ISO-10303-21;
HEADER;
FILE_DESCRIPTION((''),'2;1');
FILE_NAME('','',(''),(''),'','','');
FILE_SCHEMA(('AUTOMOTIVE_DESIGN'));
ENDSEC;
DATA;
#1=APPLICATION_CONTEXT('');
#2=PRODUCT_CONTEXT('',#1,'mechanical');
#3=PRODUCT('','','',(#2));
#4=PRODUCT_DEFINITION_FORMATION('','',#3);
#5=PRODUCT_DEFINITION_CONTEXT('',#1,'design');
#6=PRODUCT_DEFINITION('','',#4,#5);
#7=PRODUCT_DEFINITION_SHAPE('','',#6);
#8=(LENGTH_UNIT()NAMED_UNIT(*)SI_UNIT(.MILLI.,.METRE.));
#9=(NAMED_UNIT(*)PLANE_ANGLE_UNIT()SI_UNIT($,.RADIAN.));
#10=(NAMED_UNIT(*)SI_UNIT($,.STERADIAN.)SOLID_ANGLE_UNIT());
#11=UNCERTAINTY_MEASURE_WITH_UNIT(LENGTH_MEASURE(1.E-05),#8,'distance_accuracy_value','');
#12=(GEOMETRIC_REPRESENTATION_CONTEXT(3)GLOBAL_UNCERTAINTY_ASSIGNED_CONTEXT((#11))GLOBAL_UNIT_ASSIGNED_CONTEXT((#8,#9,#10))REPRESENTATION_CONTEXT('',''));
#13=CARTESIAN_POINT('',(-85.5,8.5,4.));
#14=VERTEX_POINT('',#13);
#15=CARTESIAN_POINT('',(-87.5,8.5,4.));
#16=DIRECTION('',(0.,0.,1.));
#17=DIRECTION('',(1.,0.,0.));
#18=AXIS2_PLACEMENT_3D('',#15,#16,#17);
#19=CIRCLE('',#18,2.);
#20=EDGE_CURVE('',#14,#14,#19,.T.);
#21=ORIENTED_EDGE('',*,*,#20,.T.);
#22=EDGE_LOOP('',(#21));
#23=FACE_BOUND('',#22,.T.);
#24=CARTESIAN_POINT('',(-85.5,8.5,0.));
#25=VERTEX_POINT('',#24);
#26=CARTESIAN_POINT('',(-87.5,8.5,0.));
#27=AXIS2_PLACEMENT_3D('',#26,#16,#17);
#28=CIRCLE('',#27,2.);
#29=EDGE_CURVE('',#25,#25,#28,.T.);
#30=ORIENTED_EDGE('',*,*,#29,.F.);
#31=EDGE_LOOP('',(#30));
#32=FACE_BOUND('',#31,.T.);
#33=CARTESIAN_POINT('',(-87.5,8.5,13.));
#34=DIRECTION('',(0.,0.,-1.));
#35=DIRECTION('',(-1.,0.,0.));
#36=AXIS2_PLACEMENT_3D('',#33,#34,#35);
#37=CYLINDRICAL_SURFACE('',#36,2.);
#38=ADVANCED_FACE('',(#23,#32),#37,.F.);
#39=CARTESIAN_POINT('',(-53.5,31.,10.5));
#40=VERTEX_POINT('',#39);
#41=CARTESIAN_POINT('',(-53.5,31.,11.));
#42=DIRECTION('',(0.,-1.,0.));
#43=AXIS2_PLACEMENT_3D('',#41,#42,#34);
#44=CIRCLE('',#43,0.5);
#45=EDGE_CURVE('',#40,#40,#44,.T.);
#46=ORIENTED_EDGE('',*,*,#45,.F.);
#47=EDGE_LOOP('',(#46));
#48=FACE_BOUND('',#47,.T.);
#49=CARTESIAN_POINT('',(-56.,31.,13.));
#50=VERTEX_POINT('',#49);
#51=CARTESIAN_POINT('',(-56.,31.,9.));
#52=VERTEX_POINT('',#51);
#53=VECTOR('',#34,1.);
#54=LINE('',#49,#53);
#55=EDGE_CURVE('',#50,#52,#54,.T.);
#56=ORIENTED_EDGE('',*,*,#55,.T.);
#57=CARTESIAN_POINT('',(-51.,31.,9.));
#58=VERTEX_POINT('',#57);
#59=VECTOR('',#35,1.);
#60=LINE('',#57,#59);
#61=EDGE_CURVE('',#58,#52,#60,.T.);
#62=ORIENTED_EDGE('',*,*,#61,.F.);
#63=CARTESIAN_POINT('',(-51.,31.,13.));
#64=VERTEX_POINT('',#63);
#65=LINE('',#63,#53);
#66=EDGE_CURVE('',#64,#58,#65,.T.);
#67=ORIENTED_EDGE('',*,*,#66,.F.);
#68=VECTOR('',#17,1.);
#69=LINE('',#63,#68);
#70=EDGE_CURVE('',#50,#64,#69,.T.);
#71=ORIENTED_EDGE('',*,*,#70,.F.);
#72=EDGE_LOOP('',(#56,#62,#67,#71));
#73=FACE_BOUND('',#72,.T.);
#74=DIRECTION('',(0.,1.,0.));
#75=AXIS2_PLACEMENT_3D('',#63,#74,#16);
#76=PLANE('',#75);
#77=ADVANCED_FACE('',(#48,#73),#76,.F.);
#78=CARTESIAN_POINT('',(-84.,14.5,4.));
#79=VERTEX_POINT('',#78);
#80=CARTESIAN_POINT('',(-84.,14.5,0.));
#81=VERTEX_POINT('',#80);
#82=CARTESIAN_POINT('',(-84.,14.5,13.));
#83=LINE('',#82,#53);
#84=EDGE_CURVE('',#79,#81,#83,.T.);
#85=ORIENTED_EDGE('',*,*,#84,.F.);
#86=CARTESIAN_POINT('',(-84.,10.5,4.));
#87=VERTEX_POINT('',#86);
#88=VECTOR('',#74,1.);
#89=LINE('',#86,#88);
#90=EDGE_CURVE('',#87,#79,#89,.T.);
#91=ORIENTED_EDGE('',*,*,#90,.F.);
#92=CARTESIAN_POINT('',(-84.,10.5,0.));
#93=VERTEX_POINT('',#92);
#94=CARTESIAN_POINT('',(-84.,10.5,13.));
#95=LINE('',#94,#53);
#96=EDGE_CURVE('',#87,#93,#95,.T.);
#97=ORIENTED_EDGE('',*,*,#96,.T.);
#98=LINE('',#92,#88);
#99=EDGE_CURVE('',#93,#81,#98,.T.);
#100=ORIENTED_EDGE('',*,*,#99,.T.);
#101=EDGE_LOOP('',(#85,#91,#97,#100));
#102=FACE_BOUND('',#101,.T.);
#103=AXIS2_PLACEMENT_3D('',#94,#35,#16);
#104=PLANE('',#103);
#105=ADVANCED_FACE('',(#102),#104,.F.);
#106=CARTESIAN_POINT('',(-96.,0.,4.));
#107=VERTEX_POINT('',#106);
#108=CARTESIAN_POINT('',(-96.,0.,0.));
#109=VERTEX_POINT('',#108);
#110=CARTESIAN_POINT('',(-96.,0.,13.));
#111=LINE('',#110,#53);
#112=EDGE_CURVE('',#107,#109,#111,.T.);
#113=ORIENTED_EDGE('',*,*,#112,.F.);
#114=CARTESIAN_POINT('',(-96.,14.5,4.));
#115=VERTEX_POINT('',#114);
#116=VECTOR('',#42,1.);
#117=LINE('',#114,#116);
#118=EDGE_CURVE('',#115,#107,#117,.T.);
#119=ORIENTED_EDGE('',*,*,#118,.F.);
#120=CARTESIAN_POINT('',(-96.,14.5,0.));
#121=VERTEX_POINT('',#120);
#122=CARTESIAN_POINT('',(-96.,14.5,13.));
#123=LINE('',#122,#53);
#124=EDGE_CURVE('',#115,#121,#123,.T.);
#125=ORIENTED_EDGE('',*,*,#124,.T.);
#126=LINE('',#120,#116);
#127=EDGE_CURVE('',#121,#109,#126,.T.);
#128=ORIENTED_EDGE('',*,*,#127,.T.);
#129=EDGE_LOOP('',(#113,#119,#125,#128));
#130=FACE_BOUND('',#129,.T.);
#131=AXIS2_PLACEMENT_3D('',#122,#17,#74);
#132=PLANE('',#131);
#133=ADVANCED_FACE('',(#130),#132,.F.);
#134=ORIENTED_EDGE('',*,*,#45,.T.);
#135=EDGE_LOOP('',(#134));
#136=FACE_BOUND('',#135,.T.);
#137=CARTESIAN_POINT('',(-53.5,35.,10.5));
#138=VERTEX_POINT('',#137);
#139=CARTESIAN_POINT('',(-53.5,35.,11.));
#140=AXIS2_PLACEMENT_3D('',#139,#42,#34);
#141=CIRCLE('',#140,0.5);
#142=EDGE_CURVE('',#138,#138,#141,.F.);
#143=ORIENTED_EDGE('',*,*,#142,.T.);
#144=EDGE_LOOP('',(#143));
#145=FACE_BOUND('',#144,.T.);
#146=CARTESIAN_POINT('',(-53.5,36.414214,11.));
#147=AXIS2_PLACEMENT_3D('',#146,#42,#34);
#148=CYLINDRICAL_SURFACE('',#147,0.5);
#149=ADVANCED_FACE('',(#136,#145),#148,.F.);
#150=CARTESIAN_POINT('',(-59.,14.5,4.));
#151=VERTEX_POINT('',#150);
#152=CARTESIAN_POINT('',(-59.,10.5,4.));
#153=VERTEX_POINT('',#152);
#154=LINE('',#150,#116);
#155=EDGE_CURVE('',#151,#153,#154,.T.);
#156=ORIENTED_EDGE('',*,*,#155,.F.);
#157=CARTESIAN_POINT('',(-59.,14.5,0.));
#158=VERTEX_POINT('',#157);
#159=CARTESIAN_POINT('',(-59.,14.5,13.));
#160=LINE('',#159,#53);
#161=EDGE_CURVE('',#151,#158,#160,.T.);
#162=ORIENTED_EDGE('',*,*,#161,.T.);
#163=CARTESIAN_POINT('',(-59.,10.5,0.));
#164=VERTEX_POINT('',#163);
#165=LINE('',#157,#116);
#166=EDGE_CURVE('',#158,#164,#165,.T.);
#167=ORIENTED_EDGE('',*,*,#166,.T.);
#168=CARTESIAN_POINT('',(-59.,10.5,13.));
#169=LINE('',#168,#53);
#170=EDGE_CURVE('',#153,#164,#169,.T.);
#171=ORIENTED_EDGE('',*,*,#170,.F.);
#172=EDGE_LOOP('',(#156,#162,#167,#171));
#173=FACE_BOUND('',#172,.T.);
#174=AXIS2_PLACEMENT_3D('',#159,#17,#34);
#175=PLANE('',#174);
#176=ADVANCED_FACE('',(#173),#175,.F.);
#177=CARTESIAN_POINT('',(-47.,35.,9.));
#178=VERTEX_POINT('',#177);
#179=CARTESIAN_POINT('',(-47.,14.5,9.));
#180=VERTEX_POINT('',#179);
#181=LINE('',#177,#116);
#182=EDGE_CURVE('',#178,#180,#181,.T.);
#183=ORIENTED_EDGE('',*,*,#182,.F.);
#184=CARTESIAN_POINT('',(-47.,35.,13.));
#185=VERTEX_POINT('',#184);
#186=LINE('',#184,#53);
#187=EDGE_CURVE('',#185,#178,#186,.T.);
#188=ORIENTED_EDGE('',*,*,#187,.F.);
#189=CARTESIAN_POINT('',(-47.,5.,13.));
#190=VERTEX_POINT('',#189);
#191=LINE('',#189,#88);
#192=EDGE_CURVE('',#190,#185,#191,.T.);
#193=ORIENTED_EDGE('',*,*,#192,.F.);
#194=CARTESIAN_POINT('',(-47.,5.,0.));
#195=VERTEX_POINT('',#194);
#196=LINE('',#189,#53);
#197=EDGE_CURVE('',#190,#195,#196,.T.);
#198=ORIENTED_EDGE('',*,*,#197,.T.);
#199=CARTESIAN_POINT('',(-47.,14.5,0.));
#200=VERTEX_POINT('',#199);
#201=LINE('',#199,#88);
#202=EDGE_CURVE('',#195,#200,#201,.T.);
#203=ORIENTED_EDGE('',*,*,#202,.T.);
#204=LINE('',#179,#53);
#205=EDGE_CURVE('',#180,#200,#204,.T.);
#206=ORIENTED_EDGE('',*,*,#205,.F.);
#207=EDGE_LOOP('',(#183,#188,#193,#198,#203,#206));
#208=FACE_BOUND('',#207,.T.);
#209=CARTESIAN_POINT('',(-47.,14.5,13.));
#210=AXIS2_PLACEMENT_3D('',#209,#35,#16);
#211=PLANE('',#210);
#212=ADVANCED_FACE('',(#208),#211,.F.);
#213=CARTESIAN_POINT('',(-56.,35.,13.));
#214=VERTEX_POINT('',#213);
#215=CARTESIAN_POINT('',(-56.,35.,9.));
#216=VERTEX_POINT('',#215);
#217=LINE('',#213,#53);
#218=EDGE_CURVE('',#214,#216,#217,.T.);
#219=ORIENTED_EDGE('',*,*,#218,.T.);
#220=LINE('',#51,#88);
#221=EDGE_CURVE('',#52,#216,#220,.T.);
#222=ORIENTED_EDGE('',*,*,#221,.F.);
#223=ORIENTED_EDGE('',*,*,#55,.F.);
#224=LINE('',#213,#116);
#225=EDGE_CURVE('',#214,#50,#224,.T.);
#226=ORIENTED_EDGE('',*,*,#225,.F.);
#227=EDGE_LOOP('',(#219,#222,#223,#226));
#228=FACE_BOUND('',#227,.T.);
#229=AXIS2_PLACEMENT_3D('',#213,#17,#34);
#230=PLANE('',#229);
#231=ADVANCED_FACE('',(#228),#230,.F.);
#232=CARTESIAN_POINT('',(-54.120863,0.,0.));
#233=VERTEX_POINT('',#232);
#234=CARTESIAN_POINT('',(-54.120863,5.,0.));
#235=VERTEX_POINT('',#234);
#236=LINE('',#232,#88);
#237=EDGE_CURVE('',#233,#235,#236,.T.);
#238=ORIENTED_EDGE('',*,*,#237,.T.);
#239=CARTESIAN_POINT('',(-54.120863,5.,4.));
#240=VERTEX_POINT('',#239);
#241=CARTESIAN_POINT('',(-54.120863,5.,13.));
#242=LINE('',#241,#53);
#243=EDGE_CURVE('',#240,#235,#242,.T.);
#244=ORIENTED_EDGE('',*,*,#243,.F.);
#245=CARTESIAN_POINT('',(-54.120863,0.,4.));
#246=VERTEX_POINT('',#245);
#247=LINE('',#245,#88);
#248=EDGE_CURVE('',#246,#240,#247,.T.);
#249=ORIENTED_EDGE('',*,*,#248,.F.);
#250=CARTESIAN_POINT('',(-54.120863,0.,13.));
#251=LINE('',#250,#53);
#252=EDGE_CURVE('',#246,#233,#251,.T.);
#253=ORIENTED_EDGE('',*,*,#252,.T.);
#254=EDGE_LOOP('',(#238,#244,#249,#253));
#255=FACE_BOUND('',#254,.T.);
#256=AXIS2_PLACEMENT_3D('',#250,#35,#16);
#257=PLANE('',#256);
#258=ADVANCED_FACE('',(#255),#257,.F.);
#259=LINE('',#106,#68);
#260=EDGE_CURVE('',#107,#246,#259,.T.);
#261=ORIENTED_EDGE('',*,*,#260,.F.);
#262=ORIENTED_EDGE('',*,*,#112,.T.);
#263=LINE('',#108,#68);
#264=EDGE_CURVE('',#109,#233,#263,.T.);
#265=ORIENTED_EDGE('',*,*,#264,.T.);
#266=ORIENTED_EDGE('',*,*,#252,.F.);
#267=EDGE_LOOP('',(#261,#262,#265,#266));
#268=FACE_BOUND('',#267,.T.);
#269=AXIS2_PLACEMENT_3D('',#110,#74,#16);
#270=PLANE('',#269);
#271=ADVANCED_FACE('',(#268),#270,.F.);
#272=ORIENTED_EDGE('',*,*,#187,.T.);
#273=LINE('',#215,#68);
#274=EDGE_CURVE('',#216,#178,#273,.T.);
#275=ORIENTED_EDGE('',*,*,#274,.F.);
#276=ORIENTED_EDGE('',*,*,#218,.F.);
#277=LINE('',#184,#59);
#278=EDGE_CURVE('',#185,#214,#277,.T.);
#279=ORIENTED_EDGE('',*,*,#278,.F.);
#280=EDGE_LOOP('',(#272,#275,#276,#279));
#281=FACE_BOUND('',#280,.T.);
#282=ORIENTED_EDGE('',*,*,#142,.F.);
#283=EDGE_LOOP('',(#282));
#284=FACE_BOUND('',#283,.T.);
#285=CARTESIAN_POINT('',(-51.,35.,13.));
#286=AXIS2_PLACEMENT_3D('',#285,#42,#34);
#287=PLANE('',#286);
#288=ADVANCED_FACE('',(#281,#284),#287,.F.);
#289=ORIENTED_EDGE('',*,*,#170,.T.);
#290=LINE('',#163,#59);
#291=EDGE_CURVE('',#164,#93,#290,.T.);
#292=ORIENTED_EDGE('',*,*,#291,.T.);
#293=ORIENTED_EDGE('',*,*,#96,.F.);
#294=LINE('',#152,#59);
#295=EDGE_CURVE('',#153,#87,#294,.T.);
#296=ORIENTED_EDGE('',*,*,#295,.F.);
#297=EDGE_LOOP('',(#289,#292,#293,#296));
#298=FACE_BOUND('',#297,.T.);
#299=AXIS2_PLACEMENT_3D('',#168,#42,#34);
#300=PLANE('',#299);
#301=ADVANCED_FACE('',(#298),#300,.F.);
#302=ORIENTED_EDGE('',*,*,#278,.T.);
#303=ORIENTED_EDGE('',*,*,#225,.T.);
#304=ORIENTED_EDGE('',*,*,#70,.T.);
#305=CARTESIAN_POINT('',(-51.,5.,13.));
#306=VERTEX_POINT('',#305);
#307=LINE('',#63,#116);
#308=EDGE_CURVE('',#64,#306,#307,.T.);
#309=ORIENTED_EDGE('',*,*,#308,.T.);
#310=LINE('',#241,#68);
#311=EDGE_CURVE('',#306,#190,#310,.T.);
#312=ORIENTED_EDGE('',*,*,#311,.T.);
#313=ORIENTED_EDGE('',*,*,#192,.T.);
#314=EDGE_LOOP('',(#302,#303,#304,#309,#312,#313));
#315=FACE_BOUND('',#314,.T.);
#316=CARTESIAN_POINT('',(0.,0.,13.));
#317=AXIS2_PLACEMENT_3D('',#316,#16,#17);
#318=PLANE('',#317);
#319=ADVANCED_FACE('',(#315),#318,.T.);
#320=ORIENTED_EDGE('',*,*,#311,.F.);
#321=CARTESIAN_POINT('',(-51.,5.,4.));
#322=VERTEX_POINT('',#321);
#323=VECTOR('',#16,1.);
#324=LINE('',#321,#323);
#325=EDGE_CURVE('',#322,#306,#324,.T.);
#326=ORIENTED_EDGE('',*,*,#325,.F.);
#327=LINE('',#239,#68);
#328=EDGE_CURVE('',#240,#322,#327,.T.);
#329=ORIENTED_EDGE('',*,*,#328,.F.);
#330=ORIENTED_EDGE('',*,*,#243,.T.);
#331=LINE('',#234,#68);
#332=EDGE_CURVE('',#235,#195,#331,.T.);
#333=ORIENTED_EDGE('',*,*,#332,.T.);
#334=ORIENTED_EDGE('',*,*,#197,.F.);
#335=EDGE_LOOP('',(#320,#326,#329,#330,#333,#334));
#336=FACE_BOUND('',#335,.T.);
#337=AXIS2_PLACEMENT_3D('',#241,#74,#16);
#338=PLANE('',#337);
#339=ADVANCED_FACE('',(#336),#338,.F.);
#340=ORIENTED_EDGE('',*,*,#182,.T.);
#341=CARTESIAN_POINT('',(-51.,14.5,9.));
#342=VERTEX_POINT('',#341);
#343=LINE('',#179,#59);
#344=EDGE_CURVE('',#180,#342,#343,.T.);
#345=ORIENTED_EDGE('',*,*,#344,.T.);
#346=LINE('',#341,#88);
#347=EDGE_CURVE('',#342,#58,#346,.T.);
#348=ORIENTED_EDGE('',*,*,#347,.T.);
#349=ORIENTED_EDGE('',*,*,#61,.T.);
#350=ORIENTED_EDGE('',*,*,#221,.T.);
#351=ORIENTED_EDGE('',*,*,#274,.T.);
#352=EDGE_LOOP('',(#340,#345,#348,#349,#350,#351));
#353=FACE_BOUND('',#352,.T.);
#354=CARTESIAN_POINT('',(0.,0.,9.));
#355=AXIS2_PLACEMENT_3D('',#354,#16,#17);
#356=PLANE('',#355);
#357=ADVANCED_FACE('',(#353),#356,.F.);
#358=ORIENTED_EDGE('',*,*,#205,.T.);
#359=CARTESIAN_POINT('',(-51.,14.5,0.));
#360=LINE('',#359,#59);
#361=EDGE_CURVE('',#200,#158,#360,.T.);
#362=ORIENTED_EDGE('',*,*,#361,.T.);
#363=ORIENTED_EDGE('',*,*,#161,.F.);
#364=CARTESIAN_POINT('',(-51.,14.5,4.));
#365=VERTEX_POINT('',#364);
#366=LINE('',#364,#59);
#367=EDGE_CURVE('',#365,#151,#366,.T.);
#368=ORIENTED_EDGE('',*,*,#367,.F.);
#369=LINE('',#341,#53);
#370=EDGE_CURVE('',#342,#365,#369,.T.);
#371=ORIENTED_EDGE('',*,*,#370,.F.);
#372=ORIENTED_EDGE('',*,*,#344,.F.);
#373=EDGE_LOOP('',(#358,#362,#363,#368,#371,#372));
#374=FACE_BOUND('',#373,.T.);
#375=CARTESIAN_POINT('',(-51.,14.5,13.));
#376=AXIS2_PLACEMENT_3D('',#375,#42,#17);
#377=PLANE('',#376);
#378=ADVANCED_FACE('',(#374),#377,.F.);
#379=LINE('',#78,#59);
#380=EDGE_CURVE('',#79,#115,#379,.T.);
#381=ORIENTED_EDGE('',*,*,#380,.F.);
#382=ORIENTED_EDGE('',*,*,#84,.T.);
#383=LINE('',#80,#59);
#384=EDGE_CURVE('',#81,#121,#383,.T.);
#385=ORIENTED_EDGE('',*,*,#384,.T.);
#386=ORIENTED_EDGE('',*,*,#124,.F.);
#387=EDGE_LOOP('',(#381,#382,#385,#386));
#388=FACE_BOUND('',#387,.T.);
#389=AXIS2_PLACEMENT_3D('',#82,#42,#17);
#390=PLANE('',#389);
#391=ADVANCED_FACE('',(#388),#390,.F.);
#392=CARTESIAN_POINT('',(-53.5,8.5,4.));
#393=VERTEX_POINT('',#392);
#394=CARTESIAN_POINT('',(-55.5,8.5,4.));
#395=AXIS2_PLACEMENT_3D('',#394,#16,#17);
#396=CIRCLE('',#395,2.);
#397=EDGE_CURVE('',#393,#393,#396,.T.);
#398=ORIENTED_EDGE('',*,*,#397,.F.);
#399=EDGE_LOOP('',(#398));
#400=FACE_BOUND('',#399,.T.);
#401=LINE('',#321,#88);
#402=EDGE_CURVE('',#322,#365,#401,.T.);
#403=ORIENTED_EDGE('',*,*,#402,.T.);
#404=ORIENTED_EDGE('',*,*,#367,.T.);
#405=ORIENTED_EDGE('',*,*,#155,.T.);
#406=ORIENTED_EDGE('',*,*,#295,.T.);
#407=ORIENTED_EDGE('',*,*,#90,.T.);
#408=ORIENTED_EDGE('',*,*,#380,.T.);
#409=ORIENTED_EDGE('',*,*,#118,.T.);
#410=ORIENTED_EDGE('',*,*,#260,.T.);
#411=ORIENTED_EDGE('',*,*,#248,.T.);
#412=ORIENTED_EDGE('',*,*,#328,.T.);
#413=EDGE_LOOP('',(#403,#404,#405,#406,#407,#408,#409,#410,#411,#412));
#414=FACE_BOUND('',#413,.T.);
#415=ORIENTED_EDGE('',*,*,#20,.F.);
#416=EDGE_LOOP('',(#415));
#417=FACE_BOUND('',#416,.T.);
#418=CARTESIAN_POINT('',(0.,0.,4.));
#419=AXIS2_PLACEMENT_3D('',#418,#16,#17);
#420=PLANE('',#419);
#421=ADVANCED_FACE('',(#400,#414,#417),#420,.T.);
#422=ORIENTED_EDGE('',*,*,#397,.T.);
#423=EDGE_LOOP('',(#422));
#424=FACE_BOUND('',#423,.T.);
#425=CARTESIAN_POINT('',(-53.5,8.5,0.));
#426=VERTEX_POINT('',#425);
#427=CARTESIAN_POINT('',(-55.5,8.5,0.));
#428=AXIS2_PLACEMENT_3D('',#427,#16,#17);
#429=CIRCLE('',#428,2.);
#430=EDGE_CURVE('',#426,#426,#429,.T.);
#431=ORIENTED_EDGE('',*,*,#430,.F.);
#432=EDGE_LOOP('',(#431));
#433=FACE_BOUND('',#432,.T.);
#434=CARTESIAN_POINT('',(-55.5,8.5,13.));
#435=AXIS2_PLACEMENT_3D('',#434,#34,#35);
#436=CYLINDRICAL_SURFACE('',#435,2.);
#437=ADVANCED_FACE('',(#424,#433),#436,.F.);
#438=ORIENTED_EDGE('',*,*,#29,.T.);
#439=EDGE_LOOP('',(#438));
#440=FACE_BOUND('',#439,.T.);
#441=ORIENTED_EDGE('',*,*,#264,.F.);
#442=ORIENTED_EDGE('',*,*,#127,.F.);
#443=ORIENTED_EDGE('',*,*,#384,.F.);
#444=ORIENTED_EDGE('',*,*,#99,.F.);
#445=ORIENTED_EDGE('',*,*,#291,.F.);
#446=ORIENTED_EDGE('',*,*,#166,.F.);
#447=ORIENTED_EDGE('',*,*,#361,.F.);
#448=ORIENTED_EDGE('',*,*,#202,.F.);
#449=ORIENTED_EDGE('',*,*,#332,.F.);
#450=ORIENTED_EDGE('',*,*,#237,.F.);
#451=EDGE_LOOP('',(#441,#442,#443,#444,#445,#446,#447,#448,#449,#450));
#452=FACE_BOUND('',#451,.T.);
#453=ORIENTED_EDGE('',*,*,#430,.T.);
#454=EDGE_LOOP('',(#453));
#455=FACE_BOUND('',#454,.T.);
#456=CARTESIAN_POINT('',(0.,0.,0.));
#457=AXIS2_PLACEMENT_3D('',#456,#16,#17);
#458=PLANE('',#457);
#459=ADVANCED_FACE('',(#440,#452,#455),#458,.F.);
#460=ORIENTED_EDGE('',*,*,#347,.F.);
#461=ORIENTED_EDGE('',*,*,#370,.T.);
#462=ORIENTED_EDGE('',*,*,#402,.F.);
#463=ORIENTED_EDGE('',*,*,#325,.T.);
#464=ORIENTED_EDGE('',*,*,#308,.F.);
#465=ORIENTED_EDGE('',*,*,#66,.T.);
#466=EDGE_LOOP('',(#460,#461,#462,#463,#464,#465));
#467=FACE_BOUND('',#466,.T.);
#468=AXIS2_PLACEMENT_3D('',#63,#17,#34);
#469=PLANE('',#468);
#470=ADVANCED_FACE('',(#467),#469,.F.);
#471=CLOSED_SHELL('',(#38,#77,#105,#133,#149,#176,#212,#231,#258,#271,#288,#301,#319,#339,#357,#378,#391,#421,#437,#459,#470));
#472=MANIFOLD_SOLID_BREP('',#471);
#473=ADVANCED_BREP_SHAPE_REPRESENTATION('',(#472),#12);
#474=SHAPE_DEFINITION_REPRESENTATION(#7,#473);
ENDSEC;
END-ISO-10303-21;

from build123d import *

# Parameters (mm, degrees)
SKETCH1_R           = 2
BOSS_EXTRUDE1_DEPTH = 13
CUT_EXTRUDE2_DEPTH  = 9
CUT_EXTRUDE3_DEPTH  = 9
SKETCH7_R           = 0.5
CUT_EXTRUDE4_DEPTH  = 4


with BuildPart() as part:
    # Sketch1 → Boss-Extrude1 (new body)
    with BuildSketch(Plane.XY):
        Polygon((-96, 0), (-54.120862841, 0), (-54.120862841, 5), (-47, 5), (-47, 14.5), (-47, 35), (-51, 35), (-56, 35), (-56, 31), (-51, 31), (-51, 14.5), (-59, 14.5), (-59, 10.5), (-84, 10.5), (-84, 14.5), (-96, 14.5), align=None)
        with Locations((-87.5, 8.5)):
            Circle(SKETCH1_R, mode=Mode.SUBTRACT)
        with Locations((-55.5, 8.5)):
            Circle(SKETCH1_R, mode=Mode.SUBTRACT)
    extrude(amount=BOSS_EXTRUDE1_DEPTH)

    # Sketch5 → Cut-Extrude2 (cut)
    with BuildSketch(Plane.XY.offset(13)):
        Polygon((-84, 14.5), (-96, 14.5), (-96, 0), (-54.120862841, 0), (-54.120862841, 5), (-51, 5), (-51, 14.5), (-59, 14.5), (-59, 10.5), (-84, 10.5), align=None)
    extrude(amount=-CUT_EXTRUDE2_DEPTH, mode=Mode.SUBTRACT)

    # Sketch6 → Cut-Extrude3 (cut)
    with BuildSketch(Plane(origin=(0, 0, 0), x_dir=(-1, 0, 0), z_dir=(0, 0, -1))):
        Polygon((51, 31), (56, 31), (56, 35), (47, 35), (47, 14.5), (51, 14.5), align=None)
    extrude(amount=-CUT_EXTRUDE3_DEPTH, mode=Mode.SUBTRACT)

    # Sketch7 → Cut-Extrude4 (cut)
    with BuildSketch(Plane(origin=(0, 31, 0), x_dir=(-1, 0, 0), z_dir=(0, -1, 0))):
        with Locations((53.5, -11)):
            Circle(SKETCH7_R)
    extrude(amount=-CUT_EXTRUDE4_DEPTH, mode=Mode.SUBTRACT)


solid = part.part
